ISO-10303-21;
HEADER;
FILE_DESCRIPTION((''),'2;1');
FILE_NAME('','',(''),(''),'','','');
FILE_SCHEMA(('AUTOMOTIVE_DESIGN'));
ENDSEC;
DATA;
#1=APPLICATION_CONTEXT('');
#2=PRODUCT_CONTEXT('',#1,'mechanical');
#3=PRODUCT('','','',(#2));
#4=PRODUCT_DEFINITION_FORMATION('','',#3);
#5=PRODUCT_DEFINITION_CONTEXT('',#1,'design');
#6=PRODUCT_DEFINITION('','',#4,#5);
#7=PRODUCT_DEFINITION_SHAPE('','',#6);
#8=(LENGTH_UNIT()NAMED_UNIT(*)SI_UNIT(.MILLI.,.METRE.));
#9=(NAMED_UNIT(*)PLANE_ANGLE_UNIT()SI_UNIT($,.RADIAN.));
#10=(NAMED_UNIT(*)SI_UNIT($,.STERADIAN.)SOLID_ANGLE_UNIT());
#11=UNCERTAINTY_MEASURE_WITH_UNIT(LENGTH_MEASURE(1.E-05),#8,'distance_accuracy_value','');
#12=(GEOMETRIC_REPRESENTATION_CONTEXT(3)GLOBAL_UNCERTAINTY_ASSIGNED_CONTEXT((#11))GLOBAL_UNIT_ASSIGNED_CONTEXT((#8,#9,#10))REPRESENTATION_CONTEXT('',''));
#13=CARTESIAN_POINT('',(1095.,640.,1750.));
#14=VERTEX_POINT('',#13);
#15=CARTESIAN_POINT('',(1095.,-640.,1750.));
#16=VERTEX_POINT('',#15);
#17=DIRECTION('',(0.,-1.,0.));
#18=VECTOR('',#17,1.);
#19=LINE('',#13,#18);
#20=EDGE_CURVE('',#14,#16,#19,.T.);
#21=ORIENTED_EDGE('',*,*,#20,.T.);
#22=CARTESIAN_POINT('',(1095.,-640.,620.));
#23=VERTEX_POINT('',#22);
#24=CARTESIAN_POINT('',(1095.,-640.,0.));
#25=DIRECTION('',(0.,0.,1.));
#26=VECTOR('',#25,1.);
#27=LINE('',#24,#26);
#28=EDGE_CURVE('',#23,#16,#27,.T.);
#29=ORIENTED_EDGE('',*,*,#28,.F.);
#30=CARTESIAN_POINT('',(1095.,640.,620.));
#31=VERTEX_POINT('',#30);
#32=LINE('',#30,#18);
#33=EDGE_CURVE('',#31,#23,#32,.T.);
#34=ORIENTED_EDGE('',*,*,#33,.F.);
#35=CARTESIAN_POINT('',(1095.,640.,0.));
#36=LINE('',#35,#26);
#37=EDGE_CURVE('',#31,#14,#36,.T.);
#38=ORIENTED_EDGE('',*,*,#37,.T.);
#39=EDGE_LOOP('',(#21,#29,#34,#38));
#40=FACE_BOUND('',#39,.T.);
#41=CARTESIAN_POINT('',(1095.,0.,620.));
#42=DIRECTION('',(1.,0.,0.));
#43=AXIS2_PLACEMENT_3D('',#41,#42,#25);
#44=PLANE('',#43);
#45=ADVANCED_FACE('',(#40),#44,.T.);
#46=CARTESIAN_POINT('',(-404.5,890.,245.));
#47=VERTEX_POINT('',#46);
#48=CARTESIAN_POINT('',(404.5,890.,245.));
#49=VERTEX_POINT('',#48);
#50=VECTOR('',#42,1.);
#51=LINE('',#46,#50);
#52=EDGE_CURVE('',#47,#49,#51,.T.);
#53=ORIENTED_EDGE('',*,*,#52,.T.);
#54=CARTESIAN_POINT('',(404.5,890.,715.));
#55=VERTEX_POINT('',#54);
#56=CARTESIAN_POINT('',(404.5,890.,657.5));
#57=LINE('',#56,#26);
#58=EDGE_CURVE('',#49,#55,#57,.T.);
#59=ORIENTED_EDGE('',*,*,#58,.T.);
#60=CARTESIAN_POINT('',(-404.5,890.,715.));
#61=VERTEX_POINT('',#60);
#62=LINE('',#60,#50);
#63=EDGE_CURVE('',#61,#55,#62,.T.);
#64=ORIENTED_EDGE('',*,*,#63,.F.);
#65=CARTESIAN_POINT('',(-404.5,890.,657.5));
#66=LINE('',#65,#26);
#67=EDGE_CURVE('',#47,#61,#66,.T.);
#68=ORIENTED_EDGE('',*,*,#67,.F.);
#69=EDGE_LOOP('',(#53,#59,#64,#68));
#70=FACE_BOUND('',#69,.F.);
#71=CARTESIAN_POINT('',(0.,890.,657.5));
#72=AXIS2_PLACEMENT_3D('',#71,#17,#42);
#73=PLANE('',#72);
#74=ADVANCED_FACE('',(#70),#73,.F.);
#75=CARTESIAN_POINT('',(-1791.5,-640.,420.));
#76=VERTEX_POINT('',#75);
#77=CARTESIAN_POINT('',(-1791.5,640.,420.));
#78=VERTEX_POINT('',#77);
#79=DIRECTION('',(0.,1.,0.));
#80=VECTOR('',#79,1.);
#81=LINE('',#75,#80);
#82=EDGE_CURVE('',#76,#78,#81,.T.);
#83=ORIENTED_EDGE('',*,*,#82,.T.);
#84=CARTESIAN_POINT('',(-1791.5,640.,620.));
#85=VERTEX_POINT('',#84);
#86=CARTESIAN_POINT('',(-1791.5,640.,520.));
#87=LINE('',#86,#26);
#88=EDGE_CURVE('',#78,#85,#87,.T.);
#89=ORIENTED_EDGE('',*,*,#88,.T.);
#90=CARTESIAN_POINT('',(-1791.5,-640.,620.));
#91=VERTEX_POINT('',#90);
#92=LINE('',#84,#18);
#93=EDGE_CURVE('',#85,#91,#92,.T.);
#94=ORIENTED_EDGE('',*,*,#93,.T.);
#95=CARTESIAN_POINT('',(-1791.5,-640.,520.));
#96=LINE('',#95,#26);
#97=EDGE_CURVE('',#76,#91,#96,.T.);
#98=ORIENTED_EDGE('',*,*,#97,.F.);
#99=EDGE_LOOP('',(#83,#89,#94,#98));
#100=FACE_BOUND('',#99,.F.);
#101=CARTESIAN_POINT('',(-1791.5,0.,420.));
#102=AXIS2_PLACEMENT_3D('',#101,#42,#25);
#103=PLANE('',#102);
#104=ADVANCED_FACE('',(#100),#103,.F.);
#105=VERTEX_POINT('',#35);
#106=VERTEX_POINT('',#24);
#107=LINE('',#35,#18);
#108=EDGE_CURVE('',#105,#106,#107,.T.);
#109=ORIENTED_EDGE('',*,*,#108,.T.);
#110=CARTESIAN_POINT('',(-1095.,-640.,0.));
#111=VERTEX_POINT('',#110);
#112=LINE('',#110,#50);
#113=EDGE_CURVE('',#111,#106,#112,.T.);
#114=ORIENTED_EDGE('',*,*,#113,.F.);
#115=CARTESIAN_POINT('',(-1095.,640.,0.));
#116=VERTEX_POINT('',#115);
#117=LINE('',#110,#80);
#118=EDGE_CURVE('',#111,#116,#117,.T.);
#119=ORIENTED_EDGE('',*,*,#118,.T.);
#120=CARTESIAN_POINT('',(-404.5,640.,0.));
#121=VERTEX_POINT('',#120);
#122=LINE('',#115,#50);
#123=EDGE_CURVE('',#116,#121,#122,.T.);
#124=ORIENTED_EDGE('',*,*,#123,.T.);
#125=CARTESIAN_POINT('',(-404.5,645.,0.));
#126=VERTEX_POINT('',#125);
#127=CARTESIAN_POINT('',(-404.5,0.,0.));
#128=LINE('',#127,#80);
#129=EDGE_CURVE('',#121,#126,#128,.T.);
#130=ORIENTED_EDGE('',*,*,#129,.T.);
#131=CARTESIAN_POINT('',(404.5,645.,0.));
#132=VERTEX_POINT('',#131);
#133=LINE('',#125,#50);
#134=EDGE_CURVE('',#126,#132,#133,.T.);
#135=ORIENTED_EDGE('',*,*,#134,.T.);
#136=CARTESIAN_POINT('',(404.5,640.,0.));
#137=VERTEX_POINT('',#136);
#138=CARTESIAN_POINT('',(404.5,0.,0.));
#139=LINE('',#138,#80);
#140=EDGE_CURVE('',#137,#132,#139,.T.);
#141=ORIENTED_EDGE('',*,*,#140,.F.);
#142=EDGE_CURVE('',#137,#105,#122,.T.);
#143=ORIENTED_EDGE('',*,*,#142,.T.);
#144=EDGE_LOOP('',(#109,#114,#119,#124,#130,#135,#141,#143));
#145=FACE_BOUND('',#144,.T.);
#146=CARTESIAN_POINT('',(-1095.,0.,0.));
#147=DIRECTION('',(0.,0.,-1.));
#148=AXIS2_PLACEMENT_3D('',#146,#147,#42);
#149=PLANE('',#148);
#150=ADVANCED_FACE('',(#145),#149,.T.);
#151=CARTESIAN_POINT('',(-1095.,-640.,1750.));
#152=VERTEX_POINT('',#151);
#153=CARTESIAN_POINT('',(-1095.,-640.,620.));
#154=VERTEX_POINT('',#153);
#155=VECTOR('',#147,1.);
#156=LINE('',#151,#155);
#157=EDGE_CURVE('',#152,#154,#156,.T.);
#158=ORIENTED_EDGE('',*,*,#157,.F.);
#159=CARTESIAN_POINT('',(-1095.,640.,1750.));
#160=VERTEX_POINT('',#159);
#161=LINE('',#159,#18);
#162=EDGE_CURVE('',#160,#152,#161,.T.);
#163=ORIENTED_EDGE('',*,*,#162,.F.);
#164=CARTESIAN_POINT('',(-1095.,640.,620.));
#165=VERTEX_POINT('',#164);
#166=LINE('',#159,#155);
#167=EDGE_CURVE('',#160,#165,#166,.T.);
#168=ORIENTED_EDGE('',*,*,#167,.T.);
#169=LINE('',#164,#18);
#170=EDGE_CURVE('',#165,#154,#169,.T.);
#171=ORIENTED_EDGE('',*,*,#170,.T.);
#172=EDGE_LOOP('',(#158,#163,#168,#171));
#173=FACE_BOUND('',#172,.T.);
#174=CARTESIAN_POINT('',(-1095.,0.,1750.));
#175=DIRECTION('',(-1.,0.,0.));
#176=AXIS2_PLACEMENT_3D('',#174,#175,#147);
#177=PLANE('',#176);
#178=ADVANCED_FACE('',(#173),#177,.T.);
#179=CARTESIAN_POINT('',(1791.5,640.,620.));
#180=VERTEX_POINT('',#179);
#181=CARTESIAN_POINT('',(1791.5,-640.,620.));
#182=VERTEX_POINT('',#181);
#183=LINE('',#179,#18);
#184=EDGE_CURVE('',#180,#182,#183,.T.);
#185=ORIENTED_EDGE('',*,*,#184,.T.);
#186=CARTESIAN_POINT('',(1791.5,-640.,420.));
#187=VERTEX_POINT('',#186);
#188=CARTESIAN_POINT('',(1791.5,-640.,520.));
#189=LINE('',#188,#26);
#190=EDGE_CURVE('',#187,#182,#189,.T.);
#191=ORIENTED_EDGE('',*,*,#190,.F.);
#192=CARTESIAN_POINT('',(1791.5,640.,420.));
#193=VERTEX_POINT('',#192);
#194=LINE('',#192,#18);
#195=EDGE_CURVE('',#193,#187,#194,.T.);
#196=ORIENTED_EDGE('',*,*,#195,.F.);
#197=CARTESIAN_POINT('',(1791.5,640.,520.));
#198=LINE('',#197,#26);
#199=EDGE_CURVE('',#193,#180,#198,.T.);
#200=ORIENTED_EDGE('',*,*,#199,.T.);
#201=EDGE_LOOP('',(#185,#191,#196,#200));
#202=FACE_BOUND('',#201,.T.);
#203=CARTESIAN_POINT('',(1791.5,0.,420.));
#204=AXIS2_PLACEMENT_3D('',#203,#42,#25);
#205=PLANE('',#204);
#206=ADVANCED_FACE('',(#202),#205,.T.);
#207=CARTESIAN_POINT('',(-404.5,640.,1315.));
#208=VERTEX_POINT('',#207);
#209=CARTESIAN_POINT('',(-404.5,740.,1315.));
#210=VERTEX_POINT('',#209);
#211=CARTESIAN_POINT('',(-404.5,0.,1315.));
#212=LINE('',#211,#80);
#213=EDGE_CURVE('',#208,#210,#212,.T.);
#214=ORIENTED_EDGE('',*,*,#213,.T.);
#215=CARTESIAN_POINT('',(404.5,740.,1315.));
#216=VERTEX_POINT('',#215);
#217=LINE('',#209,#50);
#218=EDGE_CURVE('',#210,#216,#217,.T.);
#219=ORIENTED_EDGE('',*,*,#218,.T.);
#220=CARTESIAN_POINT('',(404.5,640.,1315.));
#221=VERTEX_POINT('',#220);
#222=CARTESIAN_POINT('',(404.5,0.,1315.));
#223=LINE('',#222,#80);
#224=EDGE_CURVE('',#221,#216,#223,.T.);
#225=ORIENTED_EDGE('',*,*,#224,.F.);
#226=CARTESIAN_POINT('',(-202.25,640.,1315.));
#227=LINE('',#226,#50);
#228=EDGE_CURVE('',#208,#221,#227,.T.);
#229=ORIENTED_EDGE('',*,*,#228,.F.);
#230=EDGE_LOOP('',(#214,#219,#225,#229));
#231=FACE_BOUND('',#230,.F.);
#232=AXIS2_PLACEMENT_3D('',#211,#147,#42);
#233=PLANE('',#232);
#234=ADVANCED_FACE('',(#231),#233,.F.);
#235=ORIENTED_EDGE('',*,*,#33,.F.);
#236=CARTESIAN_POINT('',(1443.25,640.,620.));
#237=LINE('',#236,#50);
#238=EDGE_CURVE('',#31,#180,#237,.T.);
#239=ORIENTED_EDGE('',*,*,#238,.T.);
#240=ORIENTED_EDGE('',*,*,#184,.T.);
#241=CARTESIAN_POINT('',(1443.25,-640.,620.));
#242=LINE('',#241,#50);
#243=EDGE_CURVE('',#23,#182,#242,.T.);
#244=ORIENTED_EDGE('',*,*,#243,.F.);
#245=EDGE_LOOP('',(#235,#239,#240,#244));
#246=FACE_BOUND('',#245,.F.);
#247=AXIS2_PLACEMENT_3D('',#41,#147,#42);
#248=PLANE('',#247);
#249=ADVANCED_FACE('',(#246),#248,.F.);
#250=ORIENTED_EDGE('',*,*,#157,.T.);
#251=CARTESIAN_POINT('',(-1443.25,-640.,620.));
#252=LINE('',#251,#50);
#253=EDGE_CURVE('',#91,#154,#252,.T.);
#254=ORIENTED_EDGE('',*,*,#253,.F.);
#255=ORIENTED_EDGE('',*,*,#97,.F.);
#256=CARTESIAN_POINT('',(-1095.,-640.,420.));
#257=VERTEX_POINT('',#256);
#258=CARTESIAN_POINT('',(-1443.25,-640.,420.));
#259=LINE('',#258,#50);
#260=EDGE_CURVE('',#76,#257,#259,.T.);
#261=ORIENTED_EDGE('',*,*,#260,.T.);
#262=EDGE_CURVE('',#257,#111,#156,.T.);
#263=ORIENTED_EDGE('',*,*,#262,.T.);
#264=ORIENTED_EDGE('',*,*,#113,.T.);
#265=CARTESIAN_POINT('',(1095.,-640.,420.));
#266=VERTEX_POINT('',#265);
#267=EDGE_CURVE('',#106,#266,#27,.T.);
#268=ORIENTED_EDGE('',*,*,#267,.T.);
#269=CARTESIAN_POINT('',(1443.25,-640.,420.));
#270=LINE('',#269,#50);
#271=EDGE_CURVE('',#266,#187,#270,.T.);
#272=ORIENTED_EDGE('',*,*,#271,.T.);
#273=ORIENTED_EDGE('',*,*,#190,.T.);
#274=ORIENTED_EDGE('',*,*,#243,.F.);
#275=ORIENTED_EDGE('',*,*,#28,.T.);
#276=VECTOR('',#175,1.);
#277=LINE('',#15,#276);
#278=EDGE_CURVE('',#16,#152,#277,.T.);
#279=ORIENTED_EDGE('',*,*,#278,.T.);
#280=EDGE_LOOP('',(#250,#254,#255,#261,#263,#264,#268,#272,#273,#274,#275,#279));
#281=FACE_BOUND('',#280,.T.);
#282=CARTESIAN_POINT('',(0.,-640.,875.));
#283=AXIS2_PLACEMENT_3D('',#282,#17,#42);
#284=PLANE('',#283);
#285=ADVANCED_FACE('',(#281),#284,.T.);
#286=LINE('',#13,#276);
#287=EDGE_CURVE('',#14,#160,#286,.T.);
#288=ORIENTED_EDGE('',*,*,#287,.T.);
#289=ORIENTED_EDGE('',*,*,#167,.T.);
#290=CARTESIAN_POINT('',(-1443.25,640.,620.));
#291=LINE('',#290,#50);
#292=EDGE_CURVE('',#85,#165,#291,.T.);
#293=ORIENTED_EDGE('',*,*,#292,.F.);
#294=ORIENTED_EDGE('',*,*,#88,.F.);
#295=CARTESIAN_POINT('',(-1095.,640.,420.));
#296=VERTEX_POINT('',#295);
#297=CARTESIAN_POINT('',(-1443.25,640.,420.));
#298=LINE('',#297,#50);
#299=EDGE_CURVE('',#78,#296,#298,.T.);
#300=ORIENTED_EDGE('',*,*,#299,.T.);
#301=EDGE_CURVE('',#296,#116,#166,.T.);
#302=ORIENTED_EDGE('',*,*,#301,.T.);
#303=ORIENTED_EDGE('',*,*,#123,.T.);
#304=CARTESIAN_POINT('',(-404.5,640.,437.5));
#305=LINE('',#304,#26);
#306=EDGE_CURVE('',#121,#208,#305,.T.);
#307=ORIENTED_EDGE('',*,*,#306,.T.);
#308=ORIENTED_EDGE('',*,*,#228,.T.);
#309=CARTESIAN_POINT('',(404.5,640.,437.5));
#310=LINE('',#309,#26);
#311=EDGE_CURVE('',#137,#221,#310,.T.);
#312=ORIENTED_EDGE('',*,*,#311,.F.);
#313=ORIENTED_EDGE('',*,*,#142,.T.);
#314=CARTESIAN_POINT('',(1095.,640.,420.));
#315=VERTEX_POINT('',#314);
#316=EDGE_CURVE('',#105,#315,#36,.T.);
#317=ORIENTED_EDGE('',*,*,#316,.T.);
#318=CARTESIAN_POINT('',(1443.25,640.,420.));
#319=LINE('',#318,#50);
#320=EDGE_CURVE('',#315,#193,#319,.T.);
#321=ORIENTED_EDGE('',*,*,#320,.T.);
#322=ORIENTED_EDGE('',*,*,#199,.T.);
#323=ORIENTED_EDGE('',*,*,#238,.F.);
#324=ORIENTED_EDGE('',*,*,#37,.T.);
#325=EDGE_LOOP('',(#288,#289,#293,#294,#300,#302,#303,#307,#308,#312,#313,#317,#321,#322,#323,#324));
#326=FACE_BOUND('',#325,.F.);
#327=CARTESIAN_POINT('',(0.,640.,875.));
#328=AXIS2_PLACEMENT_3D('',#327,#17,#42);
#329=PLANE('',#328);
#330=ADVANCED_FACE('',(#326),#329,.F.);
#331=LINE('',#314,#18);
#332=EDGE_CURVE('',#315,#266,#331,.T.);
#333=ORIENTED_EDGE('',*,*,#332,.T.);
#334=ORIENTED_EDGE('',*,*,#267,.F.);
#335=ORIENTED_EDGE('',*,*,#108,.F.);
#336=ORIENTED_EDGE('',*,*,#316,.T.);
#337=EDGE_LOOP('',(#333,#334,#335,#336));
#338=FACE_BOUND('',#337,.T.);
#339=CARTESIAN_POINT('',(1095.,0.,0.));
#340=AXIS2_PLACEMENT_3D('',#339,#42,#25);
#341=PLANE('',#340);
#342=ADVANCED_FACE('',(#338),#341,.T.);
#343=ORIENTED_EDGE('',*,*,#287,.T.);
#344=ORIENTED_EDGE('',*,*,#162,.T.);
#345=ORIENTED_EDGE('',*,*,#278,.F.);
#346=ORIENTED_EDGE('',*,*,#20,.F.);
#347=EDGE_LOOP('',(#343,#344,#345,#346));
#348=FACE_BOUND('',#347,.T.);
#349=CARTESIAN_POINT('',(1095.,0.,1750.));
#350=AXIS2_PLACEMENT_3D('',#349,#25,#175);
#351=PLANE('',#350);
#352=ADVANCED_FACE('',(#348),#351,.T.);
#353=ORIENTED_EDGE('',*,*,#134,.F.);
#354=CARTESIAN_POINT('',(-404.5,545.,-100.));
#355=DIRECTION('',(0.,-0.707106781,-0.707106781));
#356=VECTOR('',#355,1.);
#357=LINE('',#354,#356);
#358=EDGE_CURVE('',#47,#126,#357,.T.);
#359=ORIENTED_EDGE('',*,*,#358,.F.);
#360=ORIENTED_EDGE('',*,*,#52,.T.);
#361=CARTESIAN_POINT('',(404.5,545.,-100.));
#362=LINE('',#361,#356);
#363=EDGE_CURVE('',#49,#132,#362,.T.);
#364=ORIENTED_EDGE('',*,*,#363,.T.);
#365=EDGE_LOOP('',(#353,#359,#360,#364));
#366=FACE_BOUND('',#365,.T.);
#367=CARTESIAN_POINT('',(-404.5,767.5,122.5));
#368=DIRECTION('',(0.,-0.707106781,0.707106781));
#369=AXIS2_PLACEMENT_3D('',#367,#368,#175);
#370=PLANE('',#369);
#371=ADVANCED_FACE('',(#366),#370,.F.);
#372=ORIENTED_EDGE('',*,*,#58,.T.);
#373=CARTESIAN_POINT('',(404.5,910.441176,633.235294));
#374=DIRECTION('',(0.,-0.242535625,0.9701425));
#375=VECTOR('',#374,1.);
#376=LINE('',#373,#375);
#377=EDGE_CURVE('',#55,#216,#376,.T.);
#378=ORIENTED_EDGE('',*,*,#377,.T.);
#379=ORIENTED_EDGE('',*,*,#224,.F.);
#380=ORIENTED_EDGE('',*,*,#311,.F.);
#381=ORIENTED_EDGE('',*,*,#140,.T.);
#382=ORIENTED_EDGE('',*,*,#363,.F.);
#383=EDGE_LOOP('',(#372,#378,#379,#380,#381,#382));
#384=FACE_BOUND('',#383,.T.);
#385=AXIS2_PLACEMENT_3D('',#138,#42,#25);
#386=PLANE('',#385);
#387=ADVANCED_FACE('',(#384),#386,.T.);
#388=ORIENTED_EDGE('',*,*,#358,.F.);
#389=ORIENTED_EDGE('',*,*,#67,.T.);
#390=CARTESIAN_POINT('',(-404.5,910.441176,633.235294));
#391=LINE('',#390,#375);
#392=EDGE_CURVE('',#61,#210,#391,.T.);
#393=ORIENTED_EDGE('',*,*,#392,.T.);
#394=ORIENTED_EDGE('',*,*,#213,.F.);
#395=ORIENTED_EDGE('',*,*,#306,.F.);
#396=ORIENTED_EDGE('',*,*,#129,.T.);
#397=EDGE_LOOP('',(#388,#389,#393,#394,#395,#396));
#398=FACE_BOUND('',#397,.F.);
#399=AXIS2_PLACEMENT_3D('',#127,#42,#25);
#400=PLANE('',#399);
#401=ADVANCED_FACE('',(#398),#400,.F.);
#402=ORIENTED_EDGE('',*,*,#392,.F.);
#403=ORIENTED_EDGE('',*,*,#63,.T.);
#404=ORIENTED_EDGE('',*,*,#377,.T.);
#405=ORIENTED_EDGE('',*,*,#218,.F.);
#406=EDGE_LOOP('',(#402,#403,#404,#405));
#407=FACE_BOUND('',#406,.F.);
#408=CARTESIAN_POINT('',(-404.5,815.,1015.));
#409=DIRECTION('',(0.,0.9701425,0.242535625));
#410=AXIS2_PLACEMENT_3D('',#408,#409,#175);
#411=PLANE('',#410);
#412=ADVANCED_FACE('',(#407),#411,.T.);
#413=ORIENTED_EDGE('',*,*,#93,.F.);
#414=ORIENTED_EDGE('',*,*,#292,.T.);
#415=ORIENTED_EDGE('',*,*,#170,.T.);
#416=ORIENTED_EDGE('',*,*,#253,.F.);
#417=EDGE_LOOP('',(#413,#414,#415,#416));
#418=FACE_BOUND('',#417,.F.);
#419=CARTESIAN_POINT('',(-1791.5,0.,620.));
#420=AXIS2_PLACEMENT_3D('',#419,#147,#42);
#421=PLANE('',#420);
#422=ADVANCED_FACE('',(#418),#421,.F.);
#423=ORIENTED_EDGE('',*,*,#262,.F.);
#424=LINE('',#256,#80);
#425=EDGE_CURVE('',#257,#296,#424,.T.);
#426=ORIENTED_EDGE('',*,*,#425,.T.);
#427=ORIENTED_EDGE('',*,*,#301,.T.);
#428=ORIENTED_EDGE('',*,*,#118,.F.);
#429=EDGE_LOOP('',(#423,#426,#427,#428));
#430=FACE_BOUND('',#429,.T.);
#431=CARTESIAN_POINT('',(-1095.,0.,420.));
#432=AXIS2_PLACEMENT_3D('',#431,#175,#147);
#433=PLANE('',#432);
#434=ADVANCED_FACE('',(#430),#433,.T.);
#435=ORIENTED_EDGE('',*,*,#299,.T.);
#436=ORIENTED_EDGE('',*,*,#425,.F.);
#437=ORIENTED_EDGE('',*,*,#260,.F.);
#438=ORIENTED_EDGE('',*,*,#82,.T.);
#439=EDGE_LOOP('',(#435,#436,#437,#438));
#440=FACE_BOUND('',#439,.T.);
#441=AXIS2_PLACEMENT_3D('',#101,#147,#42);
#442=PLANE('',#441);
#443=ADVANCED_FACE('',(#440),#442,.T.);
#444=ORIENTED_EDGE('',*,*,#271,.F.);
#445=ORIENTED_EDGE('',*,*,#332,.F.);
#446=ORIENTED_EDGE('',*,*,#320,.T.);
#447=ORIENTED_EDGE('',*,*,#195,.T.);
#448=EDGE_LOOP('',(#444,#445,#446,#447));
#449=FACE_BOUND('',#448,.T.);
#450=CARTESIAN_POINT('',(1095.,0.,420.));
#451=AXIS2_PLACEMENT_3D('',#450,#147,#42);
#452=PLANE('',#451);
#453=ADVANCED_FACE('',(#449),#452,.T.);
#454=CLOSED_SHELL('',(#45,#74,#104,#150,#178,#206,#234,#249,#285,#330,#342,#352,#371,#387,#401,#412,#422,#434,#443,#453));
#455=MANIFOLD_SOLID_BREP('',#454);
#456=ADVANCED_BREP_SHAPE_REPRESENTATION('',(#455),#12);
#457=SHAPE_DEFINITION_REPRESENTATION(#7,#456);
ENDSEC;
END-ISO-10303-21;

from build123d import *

# Parameters (mm, degrees)
F0_W     = 696.5
F0_H     = 200
F1_DEPTH = 640
F2_W     = 809
F2_H     = 1315
F3_DEPTH = 890
F4_SIZE2 = 150
F4_SIZE  = 600
F5_SIZE  = 245


with BuildPart() as f1:
    # F0 (on Front) → F1 (new body, symmetric)
    with BuildSketch(Plane.XZ):
        Polygon((-1095, 620), (-1095, 420), (-1095, 0), (1095, 0), (1095, 420), (1095, 620), (1095, 1750), (-1095, 1750), align=None)
        with Locations((1443.25, 520)):
            Rectangle(F0_W, F0_H)
        with Locations((-1443.25, 520)):
            Rectangle(F0_W, F0_H)
    extrude(amount=F1_DEPTH, both=True)

    # F2 (on Front) → F3 (join)
    with BuildSketch(Plane.XZ):
        with Locations((0, 657.5)):
            Rectangle(F2_W, F2_H)
    extrude(amount=-F3_DEPTH)

    # F4
    f4_edges = [f1.edges().sort_by_distance(p)[0] for p in [
        (0, 890, 1315),
    ]]
    f4_side = f1.faces().sort_by_distance((0, 890, 657.5))[0]
    chamfer(f4_edges, length=F4_SIZE, length2=F4_SIZE2, reference=f4_side)

    # F5
    f5_edges = [f1.edges().sort_by_distance(p)[0] for p in [
        (0, 890, 0),
    ]]
    chamfer(f5_edges, length=F5_SIZE)


solid = f1.part
